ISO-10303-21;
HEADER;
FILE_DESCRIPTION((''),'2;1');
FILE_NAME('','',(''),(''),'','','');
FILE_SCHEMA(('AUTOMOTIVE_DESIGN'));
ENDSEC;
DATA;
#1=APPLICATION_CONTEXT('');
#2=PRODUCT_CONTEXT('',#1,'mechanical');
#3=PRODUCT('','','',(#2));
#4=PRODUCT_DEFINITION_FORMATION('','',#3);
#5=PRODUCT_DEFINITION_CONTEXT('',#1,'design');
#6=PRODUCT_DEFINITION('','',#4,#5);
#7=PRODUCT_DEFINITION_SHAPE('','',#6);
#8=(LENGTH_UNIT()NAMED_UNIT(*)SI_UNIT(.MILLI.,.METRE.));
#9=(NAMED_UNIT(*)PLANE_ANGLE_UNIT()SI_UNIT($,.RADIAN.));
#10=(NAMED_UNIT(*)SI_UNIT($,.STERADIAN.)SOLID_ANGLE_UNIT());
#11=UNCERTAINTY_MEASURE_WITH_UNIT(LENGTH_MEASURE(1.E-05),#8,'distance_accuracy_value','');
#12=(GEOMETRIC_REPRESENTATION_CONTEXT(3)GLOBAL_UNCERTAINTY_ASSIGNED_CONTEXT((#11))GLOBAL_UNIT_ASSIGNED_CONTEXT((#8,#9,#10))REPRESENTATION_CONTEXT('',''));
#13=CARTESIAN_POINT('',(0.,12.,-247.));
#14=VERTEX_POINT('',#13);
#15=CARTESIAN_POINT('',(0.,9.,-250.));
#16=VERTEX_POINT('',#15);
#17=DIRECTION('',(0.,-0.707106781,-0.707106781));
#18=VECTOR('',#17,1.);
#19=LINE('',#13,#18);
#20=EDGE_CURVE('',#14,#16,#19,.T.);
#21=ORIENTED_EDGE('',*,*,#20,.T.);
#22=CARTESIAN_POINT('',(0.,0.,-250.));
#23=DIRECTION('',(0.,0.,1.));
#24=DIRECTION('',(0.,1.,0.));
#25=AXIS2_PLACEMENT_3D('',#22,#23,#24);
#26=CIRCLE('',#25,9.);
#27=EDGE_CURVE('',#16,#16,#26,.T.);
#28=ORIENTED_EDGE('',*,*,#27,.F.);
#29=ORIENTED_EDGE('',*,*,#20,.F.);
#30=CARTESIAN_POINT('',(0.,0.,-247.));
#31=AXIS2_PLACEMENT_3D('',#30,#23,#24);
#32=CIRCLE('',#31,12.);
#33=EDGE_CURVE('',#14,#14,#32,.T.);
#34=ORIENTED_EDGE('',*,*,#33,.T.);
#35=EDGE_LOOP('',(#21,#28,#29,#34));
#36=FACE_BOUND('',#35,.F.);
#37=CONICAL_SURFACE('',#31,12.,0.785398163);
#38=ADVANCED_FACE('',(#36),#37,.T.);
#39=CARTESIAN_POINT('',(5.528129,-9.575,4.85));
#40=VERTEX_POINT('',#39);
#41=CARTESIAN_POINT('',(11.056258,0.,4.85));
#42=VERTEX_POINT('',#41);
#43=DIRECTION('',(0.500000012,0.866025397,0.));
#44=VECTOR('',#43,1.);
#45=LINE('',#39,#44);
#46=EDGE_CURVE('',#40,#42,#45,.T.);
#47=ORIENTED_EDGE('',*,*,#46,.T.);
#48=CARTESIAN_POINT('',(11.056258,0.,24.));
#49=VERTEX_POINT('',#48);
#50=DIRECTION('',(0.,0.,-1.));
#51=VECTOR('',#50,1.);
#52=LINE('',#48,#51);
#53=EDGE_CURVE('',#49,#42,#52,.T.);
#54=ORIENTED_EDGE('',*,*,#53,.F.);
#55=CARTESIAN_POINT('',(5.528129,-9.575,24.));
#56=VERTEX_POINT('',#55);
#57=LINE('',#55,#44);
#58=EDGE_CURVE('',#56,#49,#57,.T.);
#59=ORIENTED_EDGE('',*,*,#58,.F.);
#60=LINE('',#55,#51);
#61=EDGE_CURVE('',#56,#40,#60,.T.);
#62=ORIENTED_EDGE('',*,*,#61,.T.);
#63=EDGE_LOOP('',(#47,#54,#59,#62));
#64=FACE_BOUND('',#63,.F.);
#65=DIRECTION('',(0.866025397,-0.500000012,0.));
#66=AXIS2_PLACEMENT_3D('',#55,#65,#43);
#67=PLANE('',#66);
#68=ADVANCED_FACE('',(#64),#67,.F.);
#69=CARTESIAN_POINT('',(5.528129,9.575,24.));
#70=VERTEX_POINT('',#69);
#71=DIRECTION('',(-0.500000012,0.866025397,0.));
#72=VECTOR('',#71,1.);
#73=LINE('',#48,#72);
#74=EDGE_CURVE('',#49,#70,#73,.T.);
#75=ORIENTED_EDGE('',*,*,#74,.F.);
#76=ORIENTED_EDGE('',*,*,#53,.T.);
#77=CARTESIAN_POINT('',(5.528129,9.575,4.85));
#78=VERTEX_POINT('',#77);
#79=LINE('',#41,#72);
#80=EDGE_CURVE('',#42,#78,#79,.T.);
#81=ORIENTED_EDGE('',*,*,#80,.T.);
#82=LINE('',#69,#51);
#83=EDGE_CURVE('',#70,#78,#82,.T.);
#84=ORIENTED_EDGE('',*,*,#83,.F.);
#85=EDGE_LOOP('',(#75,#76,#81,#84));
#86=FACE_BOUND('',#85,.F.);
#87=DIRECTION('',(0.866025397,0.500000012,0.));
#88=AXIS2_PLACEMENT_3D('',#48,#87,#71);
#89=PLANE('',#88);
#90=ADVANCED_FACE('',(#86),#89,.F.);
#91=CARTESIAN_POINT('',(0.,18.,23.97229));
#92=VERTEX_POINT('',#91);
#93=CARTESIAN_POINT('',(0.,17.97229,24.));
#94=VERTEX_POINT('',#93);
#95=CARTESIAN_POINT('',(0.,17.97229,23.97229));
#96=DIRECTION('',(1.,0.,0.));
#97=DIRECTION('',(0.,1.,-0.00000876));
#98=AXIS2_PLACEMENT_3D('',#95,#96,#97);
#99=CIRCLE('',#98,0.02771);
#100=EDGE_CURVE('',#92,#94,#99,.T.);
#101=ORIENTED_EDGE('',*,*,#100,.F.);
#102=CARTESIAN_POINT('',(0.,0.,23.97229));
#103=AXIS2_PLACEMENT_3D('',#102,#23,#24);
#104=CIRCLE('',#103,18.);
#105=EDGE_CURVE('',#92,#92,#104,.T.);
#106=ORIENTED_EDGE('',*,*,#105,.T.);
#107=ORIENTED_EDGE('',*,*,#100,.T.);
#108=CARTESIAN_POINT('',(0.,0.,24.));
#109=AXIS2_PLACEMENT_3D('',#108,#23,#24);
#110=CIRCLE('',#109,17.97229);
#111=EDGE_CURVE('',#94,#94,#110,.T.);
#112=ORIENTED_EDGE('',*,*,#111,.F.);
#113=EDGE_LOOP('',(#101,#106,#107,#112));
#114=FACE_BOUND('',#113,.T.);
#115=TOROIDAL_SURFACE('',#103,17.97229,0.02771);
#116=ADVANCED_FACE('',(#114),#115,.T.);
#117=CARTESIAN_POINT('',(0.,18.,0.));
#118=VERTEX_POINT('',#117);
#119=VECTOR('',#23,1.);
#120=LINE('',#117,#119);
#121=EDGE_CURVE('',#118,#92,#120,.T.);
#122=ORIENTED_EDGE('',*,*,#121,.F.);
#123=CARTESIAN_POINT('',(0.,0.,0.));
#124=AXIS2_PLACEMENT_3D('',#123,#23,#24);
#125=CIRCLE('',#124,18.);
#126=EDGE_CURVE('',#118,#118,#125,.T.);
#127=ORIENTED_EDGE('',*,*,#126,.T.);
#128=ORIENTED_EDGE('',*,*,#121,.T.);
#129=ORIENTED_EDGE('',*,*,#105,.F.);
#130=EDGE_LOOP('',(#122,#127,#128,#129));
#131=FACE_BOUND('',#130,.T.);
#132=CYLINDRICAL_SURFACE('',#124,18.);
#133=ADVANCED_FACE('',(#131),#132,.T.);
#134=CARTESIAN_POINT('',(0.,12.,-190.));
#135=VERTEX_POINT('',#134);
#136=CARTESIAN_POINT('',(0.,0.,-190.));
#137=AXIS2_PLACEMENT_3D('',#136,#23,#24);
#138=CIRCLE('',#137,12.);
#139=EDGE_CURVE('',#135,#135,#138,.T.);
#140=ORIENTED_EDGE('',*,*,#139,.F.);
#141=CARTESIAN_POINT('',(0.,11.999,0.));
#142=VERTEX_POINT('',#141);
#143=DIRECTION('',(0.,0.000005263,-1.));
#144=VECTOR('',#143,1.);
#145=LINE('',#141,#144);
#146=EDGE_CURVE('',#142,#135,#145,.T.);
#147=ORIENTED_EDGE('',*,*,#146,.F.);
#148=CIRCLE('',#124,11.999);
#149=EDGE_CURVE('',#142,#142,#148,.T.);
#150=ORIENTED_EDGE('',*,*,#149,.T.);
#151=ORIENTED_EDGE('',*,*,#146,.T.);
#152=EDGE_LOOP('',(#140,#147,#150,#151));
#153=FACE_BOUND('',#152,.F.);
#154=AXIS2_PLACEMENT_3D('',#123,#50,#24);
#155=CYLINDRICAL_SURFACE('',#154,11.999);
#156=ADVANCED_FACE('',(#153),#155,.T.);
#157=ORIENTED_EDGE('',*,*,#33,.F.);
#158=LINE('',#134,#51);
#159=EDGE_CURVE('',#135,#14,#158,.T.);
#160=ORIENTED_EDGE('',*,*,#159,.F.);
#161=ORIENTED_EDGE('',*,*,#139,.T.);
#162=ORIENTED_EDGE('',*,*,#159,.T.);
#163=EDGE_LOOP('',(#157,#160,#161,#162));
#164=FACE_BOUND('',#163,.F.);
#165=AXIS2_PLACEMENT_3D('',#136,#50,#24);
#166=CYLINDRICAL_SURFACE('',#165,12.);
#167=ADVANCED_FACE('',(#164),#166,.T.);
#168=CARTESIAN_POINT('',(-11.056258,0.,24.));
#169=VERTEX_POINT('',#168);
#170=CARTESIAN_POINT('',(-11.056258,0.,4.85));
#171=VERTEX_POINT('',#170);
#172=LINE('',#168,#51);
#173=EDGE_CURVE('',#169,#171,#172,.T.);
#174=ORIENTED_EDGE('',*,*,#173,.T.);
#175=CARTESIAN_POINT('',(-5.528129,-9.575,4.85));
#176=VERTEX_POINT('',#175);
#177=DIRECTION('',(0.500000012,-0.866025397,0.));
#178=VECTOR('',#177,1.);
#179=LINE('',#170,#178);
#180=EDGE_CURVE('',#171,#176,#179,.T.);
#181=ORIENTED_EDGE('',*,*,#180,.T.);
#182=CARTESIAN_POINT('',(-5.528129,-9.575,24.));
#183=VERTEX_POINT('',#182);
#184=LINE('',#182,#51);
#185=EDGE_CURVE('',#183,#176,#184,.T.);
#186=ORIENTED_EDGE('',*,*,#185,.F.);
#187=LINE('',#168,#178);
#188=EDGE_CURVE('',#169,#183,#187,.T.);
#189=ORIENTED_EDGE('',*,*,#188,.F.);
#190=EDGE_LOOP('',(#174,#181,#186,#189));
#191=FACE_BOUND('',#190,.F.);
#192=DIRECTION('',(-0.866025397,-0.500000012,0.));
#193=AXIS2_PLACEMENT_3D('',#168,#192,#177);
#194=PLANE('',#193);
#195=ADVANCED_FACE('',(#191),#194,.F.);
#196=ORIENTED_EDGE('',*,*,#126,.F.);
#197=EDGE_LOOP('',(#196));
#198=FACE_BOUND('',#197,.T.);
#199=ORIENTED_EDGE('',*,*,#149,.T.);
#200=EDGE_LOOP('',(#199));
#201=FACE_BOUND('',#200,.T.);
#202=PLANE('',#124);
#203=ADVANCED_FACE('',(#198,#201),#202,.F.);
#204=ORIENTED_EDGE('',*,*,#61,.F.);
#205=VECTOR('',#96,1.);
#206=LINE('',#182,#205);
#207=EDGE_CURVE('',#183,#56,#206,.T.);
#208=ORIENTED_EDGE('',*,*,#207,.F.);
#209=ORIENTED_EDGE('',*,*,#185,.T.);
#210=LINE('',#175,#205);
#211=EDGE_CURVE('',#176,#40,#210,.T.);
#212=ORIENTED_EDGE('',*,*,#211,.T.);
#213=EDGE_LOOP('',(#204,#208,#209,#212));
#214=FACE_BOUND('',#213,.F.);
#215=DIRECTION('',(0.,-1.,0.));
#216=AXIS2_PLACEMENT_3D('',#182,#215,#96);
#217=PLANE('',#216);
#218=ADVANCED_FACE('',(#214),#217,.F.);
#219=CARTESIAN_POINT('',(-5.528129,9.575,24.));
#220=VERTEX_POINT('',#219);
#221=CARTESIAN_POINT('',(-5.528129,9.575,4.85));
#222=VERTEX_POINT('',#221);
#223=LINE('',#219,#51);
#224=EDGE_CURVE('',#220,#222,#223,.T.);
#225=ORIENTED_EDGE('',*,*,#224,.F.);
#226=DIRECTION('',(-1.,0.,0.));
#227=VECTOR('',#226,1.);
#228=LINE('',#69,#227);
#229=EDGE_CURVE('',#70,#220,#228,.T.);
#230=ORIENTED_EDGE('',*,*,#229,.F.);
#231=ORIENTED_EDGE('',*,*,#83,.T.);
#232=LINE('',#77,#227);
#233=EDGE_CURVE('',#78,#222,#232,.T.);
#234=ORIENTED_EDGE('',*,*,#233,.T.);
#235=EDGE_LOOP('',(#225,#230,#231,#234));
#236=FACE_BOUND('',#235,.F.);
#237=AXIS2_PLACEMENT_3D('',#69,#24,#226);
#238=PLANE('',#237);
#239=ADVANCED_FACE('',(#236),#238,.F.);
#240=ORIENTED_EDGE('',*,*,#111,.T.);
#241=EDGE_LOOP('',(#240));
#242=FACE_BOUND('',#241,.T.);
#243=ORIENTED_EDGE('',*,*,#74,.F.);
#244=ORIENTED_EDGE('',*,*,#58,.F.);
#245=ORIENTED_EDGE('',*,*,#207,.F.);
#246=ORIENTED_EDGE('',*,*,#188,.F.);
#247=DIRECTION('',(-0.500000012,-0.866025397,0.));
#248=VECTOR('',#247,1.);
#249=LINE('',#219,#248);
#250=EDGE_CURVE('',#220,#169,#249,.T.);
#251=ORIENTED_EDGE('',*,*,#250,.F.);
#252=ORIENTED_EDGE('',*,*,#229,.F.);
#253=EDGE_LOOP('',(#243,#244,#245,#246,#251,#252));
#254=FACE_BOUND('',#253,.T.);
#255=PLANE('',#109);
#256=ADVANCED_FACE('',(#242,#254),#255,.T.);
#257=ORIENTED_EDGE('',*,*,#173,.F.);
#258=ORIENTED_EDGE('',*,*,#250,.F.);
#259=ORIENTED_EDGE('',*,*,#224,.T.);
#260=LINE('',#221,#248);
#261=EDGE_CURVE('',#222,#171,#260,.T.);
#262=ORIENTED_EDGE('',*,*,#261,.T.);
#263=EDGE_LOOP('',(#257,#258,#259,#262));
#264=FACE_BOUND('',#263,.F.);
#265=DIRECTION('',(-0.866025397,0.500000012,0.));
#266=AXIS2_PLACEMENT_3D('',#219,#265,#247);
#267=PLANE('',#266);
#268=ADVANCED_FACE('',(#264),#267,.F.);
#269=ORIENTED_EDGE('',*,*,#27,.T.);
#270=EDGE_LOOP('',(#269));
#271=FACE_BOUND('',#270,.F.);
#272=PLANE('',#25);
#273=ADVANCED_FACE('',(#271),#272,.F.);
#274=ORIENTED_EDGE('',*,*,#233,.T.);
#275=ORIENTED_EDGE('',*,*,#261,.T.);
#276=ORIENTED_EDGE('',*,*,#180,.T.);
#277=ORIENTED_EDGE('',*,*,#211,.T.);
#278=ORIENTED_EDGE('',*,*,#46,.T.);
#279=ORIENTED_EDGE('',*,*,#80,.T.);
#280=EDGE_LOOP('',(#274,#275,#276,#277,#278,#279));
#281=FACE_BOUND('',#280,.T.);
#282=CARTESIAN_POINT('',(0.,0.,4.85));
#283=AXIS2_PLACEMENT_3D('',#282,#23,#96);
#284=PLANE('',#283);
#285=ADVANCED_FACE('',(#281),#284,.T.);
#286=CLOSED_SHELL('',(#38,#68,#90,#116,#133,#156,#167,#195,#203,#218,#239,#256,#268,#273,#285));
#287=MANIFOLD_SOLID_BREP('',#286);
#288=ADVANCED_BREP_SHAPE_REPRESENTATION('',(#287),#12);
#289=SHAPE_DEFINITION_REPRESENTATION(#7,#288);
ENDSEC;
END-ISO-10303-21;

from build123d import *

# Parameters (mm, degrees)
POCKET_DEPTH = 19.15


with BuildPart() as part:
    # Sketch → Revolve (revolve)
    with BuildSketch(Plane.YZ):
        with BuildLine():
            Line((11.999, 0), (18, 0))
            Line((18, 0), (18, 23.97229))
            ThreePointArc((18, 23.97229), (17.991884, 23.991884), (17.97229, 24))
            Line((17.97229, 24), (0, 24))
            Line((0, -250), (0, 24))
            Line((9, -250), (0, -250))
            Line((12, -247), (9, -250))
            Line((12, -190), (12, -247))
            Line((11.999, 0), (12, -190))
        make_face()
    revolve(axis=Axis((0, 0, 0), (0, 0, 1)))

    # Sketch001 → Pocket (cut)
    with BuildSketch(Plane.XY.offset(24)):
        Polygon((11.056258, 0), (5.528129, 9.575), (-5.528129, 9.575), (-11.056258, 0), (-5.528129, -9.575), (5.528129, -9.575), align=None)
    extrude(amount=-POCKET_DEPTH, mode=Mode.SUBTRACT)


solid = part.part
